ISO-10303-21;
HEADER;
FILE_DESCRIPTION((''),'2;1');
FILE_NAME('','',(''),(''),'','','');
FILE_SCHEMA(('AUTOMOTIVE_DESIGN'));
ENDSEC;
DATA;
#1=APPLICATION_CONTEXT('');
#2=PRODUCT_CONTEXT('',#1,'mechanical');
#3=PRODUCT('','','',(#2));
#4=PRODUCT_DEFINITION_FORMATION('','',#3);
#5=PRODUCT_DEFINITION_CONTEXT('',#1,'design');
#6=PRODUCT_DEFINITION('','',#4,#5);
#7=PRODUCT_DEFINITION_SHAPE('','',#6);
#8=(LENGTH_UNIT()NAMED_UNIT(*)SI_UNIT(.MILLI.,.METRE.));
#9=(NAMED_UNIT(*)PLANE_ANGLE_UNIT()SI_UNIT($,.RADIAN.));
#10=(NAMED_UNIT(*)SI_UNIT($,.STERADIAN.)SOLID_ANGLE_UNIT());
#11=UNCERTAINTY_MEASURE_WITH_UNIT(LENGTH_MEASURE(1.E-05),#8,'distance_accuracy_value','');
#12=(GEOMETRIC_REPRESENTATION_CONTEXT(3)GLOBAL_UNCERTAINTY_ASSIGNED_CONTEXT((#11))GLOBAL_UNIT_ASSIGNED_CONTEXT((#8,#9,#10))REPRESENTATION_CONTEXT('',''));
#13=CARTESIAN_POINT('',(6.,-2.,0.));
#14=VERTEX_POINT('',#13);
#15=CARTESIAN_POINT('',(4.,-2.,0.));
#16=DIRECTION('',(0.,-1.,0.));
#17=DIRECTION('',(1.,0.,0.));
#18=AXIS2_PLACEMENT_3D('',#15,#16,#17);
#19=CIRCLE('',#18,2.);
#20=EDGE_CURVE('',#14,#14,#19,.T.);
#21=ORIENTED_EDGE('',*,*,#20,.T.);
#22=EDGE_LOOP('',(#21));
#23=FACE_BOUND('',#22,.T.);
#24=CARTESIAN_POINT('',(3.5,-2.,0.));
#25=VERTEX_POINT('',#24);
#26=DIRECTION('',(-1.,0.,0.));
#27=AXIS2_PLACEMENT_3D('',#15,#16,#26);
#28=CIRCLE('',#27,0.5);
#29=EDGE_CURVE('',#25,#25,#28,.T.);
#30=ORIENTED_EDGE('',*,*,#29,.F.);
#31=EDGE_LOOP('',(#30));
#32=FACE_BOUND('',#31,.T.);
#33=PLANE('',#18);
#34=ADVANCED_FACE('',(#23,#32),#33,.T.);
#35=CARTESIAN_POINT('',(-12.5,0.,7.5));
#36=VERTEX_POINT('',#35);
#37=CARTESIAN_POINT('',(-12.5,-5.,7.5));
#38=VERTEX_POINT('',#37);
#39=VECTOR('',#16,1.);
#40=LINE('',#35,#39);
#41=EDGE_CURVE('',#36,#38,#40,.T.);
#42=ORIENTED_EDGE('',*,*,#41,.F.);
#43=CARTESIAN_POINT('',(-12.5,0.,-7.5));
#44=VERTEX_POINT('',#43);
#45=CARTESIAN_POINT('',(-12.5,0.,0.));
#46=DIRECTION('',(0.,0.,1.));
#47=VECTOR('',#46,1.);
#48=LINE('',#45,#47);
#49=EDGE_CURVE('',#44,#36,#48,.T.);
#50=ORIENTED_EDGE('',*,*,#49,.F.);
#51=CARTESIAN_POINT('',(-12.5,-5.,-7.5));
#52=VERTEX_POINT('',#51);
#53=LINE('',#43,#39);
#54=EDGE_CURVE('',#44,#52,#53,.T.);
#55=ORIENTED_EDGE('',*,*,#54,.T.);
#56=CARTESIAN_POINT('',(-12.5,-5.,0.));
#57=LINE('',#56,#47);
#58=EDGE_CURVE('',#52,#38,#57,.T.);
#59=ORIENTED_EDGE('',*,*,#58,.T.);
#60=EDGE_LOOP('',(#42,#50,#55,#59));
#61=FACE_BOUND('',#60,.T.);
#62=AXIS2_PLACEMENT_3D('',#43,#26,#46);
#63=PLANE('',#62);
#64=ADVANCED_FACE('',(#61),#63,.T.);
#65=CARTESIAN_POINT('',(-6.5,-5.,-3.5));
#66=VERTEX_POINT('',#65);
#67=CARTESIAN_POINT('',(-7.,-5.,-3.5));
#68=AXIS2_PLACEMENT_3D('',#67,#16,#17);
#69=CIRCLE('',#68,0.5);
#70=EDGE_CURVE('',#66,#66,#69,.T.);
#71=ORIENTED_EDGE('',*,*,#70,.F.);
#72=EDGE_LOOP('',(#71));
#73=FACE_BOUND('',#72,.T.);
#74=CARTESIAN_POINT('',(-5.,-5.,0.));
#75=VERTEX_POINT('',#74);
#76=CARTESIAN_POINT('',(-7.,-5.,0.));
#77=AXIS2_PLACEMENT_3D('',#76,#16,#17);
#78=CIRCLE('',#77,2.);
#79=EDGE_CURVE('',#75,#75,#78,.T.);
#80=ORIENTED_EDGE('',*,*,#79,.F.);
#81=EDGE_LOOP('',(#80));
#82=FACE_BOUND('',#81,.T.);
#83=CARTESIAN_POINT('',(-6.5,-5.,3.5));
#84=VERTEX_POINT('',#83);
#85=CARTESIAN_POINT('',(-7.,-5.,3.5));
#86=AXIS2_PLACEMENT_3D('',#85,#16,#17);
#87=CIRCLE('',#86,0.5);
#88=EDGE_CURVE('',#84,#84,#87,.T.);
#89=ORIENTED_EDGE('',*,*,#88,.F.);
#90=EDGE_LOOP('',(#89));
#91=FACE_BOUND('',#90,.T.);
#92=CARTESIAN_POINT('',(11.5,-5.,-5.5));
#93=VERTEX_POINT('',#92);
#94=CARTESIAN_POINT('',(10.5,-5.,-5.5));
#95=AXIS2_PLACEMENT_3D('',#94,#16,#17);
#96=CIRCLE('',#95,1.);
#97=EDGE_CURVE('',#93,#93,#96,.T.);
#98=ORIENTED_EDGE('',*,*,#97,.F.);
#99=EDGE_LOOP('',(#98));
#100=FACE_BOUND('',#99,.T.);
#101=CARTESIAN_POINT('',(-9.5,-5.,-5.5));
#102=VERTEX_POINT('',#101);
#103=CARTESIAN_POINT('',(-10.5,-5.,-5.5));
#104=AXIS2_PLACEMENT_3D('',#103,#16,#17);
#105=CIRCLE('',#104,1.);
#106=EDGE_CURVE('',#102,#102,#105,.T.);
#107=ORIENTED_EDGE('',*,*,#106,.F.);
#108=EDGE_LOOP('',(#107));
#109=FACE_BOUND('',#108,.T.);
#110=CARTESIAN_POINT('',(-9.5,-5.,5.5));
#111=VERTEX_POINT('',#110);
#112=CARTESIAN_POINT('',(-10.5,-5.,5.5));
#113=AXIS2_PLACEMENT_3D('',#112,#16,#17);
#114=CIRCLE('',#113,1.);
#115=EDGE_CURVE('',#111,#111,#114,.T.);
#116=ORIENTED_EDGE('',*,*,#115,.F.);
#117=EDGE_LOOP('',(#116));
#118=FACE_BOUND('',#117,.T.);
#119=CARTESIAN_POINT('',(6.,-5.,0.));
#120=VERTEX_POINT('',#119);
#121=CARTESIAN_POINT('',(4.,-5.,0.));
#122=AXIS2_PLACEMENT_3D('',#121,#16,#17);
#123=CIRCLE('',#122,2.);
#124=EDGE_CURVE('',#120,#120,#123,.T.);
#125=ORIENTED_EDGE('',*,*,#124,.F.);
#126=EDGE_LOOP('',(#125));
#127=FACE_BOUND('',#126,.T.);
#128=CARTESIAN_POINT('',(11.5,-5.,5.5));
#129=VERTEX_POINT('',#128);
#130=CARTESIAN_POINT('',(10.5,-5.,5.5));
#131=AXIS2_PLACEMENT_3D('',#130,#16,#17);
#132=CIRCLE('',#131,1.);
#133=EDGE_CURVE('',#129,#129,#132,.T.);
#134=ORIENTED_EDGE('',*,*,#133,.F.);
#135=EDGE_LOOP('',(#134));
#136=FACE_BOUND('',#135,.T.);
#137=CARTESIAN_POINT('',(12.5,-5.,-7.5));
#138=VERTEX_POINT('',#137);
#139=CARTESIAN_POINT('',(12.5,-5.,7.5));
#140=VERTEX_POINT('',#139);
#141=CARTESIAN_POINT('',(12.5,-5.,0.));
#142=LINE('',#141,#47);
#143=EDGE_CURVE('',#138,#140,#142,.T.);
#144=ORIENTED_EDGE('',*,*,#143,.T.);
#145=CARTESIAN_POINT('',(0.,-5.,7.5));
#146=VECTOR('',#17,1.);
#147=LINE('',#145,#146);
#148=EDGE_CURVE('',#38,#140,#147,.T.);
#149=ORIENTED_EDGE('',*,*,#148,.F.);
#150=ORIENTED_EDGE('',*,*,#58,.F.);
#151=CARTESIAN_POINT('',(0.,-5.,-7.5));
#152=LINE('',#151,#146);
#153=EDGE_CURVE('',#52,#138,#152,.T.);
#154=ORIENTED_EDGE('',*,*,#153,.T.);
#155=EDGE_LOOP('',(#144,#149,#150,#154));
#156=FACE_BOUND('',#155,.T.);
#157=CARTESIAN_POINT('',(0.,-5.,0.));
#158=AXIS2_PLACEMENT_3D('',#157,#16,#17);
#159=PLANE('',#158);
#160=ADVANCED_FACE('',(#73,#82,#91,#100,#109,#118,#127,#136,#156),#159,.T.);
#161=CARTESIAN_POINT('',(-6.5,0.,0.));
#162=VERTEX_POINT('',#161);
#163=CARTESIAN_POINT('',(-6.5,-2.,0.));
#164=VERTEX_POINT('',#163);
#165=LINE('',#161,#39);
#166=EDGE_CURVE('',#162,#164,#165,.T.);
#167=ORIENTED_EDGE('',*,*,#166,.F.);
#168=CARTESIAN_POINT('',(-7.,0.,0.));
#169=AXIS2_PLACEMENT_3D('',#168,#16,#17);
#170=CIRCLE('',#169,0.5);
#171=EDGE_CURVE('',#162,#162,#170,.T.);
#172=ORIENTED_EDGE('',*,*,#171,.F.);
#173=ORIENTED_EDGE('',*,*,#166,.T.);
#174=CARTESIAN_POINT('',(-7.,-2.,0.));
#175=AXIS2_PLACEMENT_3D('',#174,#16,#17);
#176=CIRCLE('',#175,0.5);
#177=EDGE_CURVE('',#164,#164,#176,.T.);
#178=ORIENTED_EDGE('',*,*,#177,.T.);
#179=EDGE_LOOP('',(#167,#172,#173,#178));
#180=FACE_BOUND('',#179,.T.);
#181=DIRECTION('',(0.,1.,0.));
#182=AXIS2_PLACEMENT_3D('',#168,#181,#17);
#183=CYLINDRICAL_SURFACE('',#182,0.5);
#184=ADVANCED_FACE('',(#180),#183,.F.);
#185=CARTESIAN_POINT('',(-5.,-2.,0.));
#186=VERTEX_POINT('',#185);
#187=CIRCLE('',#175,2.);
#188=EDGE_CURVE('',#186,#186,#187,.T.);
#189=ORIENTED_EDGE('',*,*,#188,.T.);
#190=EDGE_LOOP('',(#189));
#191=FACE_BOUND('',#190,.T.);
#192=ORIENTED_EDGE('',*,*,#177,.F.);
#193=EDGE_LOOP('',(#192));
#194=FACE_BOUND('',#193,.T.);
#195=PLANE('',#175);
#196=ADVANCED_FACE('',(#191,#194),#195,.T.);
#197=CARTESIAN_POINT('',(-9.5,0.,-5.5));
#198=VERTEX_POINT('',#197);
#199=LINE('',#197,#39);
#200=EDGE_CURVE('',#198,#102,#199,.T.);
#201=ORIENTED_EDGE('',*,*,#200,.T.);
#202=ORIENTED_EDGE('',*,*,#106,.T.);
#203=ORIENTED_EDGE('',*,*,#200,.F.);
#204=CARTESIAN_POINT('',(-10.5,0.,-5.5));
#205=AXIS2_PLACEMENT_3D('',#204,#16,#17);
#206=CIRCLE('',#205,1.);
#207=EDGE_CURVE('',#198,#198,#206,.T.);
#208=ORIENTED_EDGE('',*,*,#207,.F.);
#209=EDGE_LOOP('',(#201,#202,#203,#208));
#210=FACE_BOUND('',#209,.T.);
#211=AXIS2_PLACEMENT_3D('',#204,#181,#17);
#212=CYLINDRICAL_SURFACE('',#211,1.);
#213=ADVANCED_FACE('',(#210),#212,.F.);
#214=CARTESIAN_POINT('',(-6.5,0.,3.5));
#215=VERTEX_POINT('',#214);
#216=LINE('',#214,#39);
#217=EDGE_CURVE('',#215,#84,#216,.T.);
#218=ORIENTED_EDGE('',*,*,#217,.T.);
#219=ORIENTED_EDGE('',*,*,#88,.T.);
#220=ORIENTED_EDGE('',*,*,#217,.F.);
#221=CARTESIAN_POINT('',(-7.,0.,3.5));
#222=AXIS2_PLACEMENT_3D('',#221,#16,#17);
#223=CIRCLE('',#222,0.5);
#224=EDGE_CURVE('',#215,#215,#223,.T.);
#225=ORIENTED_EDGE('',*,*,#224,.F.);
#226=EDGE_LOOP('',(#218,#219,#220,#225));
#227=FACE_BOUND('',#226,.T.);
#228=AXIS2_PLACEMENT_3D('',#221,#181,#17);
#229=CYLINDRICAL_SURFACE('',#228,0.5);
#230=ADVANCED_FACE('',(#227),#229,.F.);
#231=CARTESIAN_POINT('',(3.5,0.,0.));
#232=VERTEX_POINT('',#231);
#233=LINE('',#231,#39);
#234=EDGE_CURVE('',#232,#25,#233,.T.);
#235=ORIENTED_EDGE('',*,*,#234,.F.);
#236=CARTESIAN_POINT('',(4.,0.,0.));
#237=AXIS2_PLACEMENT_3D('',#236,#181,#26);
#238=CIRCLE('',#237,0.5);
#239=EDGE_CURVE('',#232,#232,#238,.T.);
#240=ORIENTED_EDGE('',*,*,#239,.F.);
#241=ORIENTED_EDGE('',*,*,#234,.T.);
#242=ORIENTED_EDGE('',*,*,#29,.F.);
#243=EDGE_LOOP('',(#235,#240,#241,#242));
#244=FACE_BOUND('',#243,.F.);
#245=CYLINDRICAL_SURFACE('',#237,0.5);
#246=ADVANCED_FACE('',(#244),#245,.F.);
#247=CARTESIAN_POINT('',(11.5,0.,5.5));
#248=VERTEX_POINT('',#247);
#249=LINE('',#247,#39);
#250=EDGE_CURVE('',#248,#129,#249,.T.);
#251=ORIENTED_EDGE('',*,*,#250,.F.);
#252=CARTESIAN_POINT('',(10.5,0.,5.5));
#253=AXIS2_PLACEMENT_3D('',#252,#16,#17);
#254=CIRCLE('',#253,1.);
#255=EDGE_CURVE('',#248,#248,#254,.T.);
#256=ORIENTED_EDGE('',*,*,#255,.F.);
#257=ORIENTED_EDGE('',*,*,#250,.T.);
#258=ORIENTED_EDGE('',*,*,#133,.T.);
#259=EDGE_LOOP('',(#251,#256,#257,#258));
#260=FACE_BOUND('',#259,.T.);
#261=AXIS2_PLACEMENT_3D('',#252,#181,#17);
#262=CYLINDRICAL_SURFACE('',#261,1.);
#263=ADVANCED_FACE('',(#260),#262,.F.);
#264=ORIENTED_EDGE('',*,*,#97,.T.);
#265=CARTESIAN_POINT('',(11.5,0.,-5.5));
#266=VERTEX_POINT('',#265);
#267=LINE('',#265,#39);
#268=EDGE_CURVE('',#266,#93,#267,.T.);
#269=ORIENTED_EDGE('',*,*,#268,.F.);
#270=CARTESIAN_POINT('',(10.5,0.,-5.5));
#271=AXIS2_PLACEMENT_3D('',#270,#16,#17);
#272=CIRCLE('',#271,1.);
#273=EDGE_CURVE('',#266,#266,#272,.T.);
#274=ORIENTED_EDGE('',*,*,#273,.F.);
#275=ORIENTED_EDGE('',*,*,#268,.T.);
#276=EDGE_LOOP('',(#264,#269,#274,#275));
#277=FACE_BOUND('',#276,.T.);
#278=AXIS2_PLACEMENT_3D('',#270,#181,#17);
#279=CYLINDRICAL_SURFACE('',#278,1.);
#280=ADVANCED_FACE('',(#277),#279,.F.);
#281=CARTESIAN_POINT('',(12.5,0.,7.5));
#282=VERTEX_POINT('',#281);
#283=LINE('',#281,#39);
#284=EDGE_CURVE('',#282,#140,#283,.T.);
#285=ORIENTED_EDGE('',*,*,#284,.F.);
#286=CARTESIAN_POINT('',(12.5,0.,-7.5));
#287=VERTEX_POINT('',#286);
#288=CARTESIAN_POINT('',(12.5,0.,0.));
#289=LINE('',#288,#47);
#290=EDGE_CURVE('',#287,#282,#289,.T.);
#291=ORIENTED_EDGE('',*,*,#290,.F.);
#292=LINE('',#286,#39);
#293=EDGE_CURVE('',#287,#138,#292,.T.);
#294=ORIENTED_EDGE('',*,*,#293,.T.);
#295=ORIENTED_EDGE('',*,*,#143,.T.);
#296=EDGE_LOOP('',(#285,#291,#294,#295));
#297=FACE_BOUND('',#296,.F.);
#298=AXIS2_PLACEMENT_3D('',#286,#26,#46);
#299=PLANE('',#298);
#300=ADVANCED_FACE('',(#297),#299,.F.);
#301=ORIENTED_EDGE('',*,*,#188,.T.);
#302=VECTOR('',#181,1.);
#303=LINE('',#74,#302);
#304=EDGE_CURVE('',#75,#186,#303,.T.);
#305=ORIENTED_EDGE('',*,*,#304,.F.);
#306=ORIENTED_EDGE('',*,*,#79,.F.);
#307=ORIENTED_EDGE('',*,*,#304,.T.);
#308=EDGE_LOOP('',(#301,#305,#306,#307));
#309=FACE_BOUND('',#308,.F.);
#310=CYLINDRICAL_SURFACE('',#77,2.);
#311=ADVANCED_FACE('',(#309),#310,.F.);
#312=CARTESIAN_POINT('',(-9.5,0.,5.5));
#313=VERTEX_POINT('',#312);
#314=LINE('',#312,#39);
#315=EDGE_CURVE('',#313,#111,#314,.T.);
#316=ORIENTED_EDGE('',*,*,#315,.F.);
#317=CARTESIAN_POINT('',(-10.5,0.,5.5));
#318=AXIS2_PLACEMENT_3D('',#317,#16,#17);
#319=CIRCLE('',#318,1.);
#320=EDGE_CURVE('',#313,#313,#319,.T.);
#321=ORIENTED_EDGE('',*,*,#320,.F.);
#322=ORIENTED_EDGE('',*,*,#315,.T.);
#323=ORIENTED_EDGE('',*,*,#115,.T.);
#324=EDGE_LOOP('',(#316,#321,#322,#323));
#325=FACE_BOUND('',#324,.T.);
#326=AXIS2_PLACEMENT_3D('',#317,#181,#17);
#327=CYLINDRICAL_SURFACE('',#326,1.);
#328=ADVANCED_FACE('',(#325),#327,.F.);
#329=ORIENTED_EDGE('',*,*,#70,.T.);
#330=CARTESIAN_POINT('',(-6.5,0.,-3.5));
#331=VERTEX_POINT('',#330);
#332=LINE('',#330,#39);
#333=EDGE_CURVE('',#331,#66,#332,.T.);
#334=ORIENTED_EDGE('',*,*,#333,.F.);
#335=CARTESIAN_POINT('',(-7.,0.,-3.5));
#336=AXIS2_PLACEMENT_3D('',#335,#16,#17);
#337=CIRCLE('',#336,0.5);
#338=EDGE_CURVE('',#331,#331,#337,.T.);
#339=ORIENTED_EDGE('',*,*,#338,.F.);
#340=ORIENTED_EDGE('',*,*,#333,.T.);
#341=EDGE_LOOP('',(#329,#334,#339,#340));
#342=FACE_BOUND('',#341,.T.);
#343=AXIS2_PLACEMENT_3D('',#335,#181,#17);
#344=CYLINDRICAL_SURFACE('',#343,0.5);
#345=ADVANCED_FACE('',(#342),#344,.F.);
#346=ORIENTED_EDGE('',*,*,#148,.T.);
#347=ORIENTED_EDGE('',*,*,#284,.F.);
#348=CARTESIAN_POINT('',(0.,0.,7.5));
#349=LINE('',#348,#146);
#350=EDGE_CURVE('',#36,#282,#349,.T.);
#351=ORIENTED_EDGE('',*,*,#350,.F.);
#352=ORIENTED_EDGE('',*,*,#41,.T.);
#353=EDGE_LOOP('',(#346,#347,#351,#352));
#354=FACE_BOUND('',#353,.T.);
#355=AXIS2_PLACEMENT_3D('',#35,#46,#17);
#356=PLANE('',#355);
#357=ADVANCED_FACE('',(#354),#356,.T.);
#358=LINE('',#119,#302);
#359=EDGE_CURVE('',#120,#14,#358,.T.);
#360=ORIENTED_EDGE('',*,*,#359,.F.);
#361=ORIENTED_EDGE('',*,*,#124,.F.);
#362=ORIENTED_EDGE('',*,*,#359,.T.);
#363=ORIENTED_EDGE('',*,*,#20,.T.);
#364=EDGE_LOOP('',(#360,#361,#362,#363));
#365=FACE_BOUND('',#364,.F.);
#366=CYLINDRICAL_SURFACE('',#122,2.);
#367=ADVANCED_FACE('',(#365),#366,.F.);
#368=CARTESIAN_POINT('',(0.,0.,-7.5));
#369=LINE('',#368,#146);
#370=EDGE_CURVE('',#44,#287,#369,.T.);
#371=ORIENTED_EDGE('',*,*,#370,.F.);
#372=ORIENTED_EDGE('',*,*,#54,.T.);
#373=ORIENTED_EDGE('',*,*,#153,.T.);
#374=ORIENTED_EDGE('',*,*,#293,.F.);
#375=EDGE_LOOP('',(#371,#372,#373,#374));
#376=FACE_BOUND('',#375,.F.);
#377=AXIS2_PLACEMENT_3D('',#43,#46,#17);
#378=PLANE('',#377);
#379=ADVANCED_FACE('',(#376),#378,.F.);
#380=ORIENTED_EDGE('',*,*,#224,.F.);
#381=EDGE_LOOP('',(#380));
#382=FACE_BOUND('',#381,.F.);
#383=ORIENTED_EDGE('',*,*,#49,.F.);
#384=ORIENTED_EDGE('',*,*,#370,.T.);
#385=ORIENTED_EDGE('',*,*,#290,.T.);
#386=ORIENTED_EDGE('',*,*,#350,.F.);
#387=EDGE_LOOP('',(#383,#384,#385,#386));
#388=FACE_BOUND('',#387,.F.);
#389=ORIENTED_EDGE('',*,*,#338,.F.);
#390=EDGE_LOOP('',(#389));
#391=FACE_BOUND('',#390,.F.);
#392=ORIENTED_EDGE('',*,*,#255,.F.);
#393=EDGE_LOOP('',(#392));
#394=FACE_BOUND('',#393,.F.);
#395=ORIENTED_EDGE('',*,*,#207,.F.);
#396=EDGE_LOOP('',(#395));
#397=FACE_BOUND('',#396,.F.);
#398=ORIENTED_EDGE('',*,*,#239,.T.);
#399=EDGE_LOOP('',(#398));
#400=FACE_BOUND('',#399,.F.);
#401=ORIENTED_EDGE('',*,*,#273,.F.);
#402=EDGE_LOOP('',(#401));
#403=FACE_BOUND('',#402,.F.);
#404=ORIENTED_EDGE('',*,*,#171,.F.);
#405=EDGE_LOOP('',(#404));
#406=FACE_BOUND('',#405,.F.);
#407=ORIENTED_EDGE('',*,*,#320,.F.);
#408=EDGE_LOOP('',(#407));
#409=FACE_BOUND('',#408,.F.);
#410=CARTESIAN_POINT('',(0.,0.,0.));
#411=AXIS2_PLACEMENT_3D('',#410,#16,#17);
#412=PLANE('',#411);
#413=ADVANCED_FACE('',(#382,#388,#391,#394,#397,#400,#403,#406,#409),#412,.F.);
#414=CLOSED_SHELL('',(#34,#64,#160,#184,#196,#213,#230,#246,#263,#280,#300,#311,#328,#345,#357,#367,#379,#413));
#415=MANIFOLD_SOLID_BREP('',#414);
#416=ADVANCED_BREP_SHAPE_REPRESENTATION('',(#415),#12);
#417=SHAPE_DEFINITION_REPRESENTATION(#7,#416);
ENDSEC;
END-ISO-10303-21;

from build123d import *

# Parameters (mm, degrees)
F0_W     = 25
F0_H     = 15
F0_R     = 1
F0_R_2   = 0.5
F1_DEPTH = 5
F2_R     = 2
F2_R_2   = 0.5
F3_DEPTH = 3


with BuildPart() as f1:
    # F0 (on Front) → F1 (new body)
    with BuildSketch(Plane.XZ):
        Rectangle(F0_W, F0_H)
        with Locations((-10.5, -5.5)):
            Circle(F0_R, mode=Mode.SUBTRACT)
        with Locations((-7, -3.5)):
            Circle(F0_R_2, mode=Mode.SUBTRACT)
        with Locations((10.5, -5.5)):
            Circle(F0_R, mode=Mode.SUBTRACT)
        with Locations((-7, 0)):
            Circle(F0_R_2, mode=Mode.SUBTRACT)
        with Locations((-7, 3.5)):
            Circle(F0_R_2, mode=Mode.SUBTRACT)
        with Locations((-10.5, 5.5)):
            Circle(F0_R, mode=Mode.SUBTRACT)
        with BuildLine():
            ThreePointArc((4.5, 0), (4, -0.5), (3.5, 0))
            ThreePointArc((3.5, 0), (4, 0.5), (4.5, 0))
        make_face(mode=Mode.SUBTRACT)
        with Locations((10.5, 5.5)):
            Circle(F0_R, mode=Mode.SUBTRACT)
    extrude(amount=F1_DEPTH)

    # F2 (on face) → F3 (cut)
    with BuildSketch(Plane.XZ.offset(5)):
        with Locations((-7, 0)):
            Circle(F2_R)
        with Locations((-7, 0)):
            Circle(F2_R_2, mode=Mode.SUBTRACT)
        with Locations((4, 0)):
            Circle(F2_R)
        with Locations((4, 0)):
            Circle(F2_R_2, mode=Mode.SUBTRACT)
    extrude(amount=-F3_DEPTH, mode=Mode.SUBTRACT)


solid = f1.part
